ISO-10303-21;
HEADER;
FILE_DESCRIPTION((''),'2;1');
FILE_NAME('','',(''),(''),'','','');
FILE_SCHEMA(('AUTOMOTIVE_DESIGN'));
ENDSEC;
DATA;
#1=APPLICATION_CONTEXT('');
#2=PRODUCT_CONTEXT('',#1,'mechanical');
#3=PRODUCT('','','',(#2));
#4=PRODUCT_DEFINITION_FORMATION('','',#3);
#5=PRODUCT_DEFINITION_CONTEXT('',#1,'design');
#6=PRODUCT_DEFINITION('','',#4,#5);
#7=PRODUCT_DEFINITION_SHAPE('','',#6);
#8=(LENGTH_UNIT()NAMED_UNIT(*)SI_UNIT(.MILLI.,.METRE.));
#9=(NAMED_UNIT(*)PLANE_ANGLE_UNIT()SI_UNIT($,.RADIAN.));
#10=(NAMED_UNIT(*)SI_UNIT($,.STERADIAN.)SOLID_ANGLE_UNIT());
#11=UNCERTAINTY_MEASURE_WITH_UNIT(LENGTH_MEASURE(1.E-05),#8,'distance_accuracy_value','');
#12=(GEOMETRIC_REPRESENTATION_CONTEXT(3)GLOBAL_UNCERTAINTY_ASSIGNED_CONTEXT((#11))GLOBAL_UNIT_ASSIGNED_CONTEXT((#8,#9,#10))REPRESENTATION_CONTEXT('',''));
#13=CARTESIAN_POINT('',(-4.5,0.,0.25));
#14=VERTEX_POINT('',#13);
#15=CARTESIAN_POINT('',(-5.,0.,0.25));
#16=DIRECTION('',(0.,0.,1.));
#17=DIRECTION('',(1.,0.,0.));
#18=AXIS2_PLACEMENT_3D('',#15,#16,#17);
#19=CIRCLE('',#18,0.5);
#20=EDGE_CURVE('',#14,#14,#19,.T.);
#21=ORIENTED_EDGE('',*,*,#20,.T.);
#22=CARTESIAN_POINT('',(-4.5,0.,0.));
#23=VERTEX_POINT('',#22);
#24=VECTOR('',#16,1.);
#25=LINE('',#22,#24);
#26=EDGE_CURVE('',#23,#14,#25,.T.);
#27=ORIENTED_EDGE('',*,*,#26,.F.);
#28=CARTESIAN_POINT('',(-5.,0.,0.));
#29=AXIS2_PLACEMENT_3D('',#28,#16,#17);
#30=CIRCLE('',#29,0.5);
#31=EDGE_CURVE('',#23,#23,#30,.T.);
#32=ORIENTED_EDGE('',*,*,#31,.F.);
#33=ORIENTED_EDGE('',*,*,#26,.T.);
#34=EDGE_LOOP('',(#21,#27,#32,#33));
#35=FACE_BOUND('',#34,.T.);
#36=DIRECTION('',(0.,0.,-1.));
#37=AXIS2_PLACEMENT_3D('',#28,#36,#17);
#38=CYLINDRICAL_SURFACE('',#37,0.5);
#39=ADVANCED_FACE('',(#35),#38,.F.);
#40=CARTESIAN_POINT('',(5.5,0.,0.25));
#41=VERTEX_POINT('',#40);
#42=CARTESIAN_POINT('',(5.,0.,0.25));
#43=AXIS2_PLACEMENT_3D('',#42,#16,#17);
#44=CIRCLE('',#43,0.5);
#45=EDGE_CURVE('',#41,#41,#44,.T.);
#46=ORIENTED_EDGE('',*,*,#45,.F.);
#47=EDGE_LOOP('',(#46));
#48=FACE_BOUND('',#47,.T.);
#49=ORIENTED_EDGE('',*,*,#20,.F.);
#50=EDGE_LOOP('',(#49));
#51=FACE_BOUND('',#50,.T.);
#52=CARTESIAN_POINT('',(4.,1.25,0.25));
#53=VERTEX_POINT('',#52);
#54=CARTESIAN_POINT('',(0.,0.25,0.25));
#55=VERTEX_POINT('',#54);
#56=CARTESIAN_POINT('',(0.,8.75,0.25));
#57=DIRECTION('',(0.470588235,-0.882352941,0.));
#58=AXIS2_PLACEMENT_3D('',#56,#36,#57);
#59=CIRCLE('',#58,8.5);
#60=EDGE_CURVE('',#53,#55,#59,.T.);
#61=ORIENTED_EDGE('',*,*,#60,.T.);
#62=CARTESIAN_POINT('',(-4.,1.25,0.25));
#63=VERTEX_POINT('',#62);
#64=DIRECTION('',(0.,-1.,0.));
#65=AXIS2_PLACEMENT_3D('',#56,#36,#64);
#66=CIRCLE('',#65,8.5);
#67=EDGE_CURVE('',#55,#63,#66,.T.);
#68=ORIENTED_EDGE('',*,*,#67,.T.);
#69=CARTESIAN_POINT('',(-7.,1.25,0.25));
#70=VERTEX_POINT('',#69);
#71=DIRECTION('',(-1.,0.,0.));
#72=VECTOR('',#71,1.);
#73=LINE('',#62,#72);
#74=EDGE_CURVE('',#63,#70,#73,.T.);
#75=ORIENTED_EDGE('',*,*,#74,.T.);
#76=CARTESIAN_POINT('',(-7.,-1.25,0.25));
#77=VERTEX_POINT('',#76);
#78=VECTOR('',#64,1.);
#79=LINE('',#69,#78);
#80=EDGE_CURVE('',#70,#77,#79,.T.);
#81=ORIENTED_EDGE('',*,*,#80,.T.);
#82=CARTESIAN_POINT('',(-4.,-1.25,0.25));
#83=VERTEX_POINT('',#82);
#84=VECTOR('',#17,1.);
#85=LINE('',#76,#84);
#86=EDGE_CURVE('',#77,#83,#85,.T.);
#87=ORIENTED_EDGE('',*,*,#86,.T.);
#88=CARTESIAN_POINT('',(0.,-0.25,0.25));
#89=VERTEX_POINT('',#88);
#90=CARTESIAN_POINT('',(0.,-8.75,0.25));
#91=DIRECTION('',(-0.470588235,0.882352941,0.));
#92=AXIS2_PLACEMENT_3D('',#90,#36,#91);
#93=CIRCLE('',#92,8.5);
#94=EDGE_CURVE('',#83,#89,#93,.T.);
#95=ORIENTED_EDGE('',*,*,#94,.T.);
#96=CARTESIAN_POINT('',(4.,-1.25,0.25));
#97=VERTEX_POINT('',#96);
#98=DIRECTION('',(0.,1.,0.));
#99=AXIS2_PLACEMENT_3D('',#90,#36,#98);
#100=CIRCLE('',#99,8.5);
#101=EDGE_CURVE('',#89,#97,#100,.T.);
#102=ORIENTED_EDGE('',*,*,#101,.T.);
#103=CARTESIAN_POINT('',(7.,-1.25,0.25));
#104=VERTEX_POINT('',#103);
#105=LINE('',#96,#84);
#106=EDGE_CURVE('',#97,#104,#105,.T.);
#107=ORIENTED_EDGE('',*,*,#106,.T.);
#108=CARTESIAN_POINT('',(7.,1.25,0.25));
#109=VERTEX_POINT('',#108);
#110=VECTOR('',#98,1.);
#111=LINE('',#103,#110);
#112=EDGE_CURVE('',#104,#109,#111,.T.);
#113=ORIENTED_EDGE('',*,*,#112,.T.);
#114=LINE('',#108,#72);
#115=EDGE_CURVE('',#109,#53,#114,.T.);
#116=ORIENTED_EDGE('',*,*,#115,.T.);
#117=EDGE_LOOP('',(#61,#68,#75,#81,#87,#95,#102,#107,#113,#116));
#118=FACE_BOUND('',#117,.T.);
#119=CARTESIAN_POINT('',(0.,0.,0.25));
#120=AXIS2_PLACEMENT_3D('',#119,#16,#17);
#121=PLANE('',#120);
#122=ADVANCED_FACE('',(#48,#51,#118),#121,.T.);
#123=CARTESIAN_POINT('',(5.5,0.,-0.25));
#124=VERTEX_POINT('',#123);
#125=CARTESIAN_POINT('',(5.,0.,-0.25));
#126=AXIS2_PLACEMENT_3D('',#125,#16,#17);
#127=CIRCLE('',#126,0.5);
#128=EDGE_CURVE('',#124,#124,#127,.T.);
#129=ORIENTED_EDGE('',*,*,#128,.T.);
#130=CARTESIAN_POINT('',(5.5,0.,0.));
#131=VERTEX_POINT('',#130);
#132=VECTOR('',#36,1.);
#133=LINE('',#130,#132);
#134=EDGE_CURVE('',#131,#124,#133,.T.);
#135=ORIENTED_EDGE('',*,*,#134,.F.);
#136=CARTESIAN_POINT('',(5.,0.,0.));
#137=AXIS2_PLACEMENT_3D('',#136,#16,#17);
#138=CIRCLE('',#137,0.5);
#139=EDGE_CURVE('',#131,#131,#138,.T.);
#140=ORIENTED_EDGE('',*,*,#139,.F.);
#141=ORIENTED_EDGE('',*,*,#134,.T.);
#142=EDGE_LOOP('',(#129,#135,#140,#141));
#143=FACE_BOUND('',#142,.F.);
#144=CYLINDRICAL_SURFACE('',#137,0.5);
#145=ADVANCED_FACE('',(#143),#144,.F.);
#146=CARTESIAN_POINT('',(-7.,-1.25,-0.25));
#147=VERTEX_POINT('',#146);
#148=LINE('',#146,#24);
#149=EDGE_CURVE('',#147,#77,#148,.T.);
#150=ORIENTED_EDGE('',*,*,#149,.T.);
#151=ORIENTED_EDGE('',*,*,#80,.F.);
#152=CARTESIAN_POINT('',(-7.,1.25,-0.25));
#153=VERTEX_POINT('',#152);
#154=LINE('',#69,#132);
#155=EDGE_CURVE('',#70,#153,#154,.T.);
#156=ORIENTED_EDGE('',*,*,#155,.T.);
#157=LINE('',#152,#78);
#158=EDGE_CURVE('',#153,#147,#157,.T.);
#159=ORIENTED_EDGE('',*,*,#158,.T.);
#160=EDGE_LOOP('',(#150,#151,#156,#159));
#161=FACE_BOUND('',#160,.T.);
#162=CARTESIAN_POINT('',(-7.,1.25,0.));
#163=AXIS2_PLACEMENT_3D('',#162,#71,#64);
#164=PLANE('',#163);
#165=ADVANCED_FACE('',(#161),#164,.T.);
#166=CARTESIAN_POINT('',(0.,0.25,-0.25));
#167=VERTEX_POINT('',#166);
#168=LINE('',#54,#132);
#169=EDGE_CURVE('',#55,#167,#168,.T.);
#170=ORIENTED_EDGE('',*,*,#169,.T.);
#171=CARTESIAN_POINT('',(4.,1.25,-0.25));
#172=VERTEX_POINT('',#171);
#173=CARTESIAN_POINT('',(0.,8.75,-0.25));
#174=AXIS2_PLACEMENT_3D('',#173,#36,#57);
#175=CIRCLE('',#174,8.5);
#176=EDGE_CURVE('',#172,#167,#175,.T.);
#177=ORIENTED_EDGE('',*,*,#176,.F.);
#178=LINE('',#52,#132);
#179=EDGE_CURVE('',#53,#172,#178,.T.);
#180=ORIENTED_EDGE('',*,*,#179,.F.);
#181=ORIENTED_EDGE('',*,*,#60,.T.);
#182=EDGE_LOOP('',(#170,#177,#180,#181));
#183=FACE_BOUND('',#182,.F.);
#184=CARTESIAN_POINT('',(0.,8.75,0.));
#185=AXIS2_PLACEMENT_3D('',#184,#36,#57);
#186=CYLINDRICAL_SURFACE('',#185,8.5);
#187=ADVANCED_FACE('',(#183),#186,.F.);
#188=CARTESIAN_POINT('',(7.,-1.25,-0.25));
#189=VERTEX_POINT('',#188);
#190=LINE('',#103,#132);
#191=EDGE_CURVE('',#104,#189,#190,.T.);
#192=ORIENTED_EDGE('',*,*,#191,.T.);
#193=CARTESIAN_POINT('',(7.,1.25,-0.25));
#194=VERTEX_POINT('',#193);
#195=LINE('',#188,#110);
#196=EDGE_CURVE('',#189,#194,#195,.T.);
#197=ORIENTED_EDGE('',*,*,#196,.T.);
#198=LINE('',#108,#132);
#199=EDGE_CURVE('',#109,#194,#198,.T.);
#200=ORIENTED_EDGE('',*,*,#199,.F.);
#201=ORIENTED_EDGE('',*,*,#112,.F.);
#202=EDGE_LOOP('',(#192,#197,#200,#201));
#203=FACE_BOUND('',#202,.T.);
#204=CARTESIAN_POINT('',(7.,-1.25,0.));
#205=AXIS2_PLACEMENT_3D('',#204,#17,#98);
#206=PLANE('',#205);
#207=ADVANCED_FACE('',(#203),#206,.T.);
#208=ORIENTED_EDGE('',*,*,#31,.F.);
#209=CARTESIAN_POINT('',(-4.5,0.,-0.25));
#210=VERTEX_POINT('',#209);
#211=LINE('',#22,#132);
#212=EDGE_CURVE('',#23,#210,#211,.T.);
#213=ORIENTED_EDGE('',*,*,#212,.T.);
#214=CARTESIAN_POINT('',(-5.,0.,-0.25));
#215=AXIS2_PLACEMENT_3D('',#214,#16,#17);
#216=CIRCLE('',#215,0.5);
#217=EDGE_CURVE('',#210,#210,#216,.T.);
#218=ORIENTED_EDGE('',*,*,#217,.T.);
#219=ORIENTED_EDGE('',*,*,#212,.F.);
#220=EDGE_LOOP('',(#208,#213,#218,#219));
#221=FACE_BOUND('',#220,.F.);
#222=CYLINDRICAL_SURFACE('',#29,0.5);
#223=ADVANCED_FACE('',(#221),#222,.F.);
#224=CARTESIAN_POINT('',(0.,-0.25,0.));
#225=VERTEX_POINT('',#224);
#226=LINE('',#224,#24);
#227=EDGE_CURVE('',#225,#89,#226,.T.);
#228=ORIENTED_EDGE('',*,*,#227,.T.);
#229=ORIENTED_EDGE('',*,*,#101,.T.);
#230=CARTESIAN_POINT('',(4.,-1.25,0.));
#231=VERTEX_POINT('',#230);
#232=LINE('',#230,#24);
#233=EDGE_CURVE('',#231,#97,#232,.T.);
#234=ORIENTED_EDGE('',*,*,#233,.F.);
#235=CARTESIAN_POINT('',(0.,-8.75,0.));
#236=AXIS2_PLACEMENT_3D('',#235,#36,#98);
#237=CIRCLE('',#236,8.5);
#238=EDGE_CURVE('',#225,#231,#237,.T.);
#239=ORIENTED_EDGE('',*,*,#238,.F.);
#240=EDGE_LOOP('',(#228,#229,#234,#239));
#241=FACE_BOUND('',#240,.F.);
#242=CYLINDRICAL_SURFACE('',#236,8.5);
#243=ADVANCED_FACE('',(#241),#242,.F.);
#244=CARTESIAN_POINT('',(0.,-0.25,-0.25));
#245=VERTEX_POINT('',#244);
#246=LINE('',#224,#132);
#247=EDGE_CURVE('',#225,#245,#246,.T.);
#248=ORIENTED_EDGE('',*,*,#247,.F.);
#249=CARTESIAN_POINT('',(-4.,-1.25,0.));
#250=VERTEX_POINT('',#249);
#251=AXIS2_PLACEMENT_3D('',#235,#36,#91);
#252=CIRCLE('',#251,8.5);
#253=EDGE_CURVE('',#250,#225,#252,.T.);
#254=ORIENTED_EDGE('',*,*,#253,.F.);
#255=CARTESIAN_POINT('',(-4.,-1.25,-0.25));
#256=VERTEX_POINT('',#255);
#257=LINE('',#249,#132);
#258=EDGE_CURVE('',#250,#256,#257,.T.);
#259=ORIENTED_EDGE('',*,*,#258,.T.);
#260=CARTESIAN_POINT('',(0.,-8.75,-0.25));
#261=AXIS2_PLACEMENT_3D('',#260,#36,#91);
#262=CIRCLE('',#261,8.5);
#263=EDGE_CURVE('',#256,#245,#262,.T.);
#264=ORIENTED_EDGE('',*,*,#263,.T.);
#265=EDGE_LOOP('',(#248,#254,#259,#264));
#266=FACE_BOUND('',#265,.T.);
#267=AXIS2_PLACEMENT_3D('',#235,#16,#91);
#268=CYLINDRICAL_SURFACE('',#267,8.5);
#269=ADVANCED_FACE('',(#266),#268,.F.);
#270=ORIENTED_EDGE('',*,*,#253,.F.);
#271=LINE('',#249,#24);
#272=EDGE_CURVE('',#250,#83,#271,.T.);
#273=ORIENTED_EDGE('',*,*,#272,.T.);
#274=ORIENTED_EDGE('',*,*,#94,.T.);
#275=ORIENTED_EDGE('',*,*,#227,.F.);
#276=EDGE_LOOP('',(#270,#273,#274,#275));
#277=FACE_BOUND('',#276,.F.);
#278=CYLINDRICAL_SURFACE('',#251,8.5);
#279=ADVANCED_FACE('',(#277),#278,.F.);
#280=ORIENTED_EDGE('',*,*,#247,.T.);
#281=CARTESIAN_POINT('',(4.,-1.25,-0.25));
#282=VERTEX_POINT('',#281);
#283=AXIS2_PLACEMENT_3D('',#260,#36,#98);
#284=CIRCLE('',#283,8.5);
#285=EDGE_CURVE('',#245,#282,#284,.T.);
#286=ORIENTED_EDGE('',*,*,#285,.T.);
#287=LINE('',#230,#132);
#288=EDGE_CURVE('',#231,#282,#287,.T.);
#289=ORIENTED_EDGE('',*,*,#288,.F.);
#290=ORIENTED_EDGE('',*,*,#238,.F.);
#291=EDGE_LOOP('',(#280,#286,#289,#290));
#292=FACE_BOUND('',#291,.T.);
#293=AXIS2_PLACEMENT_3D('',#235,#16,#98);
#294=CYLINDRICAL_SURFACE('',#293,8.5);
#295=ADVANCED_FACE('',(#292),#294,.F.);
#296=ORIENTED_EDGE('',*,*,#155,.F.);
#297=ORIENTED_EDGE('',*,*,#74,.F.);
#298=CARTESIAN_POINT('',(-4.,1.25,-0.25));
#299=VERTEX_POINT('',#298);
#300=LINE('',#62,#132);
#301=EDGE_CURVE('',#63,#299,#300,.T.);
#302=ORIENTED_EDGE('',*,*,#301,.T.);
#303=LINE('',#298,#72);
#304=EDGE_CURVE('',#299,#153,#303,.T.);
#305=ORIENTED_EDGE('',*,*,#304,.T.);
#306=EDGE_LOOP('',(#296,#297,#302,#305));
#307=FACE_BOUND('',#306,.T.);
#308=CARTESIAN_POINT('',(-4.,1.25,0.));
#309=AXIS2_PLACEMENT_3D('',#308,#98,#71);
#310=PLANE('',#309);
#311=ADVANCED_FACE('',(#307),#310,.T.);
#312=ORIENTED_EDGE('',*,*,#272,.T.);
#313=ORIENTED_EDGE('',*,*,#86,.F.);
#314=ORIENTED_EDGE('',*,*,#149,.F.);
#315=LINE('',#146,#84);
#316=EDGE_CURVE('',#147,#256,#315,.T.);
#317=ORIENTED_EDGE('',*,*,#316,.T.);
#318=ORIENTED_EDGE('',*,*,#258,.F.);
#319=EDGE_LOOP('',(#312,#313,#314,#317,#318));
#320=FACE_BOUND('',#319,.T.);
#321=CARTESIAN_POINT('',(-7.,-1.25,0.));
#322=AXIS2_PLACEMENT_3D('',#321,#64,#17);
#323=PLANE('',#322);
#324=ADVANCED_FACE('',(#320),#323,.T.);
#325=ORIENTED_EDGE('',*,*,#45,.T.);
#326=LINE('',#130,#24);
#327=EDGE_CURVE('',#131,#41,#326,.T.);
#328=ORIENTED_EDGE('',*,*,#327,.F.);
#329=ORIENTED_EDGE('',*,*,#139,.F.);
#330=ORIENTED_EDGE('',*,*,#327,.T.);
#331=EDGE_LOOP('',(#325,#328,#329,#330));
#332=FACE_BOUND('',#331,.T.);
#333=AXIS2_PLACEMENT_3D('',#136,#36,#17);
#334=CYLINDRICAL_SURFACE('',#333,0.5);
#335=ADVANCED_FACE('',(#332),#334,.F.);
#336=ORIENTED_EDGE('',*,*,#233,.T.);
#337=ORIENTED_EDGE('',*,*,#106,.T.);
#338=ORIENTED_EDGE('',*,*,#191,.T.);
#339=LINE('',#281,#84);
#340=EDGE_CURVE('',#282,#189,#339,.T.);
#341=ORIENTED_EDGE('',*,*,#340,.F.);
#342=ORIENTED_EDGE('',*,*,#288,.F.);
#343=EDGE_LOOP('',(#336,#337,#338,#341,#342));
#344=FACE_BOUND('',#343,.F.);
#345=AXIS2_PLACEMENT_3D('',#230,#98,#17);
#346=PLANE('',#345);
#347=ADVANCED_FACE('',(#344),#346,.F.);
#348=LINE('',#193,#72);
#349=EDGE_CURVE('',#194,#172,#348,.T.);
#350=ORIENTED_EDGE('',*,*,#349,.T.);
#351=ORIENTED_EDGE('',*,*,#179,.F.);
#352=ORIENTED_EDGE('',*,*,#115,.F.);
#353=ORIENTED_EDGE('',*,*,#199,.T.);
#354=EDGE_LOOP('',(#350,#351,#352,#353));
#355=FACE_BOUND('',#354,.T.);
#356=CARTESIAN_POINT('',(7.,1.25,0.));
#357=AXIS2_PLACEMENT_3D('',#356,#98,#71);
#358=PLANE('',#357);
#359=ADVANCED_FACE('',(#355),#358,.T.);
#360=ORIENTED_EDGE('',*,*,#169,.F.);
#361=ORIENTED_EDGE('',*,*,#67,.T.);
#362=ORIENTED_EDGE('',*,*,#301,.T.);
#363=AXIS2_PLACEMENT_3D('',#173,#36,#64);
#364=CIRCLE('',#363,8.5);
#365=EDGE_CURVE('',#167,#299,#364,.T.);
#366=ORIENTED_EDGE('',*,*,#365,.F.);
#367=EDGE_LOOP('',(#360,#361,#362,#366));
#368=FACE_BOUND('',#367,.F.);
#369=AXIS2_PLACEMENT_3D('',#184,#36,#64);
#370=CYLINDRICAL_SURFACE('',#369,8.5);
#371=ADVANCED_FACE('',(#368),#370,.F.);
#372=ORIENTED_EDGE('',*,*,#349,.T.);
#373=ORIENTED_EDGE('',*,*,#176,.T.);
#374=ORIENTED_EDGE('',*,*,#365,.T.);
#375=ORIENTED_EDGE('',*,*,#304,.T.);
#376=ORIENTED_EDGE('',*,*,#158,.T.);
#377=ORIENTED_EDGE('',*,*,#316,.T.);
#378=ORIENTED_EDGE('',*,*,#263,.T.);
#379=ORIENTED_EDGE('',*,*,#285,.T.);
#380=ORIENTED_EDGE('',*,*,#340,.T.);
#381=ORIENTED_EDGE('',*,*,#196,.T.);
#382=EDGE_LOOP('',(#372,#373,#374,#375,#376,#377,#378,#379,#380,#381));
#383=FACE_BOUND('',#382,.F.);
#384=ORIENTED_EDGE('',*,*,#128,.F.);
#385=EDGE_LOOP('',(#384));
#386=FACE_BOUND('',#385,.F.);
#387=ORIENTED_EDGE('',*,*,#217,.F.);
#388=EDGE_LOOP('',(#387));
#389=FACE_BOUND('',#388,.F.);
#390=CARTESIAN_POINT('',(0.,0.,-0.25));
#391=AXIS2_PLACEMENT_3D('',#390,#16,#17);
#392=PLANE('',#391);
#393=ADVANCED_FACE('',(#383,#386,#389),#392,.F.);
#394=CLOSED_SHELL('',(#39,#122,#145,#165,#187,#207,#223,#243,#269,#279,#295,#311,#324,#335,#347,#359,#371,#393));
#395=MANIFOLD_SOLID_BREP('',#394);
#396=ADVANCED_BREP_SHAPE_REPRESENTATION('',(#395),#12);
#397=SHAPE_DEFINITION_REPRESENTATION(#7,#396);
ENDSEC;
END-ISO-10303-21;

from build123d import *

# Parameters (mm, degrees)
F0_R     = 0.5
F1_DEPTH = 0.25


with BuildPart() as f1:
    # F0 (on Top) → F1 (new body, symmetric)
    with BuildSketch(Plane.XY):
        with BuildLine():
            Line((-7, 1.25), (-7, 0))
            Line((-7, 0), (-7, -1.25))
            Line((-7, -1.25), (-4, -1.25))
            ThreePointArc((-4, -1.25), (-2.0615528128, -0.5037887488), (0, -0.25))
            ThreePointArc((0, -0.25), (2.0615528128, -0.5037887488), (4, -1.25))
            Line((4, -1.25), (7, -1.25))
            Line((7, -1.25), (7, 0))
            Line((7, 0), (7, 1.25))
            Line((7, 1.25), (4, 1.25))
            ThreePointArc((4, 1.25), (2.0615528128, 0.5037887488), (0, 0.25))
            ThreePointArc((0, 0.25), (-2.0615528128, 0.5037887488), (-4, 1.25))
            Line((-4, 1.25), (-7, 1.25))
        make_face()
        with Locations((-5, 0)):
            Circle(F0_R, mode=Mode.SUBTRACT)
        with Locations((5, 0)):
            Circle(F0_R, mode=Mode.SUBTRACT)
    extrude(amount=F1_DEPTH, both=True)


solid = f1.part
